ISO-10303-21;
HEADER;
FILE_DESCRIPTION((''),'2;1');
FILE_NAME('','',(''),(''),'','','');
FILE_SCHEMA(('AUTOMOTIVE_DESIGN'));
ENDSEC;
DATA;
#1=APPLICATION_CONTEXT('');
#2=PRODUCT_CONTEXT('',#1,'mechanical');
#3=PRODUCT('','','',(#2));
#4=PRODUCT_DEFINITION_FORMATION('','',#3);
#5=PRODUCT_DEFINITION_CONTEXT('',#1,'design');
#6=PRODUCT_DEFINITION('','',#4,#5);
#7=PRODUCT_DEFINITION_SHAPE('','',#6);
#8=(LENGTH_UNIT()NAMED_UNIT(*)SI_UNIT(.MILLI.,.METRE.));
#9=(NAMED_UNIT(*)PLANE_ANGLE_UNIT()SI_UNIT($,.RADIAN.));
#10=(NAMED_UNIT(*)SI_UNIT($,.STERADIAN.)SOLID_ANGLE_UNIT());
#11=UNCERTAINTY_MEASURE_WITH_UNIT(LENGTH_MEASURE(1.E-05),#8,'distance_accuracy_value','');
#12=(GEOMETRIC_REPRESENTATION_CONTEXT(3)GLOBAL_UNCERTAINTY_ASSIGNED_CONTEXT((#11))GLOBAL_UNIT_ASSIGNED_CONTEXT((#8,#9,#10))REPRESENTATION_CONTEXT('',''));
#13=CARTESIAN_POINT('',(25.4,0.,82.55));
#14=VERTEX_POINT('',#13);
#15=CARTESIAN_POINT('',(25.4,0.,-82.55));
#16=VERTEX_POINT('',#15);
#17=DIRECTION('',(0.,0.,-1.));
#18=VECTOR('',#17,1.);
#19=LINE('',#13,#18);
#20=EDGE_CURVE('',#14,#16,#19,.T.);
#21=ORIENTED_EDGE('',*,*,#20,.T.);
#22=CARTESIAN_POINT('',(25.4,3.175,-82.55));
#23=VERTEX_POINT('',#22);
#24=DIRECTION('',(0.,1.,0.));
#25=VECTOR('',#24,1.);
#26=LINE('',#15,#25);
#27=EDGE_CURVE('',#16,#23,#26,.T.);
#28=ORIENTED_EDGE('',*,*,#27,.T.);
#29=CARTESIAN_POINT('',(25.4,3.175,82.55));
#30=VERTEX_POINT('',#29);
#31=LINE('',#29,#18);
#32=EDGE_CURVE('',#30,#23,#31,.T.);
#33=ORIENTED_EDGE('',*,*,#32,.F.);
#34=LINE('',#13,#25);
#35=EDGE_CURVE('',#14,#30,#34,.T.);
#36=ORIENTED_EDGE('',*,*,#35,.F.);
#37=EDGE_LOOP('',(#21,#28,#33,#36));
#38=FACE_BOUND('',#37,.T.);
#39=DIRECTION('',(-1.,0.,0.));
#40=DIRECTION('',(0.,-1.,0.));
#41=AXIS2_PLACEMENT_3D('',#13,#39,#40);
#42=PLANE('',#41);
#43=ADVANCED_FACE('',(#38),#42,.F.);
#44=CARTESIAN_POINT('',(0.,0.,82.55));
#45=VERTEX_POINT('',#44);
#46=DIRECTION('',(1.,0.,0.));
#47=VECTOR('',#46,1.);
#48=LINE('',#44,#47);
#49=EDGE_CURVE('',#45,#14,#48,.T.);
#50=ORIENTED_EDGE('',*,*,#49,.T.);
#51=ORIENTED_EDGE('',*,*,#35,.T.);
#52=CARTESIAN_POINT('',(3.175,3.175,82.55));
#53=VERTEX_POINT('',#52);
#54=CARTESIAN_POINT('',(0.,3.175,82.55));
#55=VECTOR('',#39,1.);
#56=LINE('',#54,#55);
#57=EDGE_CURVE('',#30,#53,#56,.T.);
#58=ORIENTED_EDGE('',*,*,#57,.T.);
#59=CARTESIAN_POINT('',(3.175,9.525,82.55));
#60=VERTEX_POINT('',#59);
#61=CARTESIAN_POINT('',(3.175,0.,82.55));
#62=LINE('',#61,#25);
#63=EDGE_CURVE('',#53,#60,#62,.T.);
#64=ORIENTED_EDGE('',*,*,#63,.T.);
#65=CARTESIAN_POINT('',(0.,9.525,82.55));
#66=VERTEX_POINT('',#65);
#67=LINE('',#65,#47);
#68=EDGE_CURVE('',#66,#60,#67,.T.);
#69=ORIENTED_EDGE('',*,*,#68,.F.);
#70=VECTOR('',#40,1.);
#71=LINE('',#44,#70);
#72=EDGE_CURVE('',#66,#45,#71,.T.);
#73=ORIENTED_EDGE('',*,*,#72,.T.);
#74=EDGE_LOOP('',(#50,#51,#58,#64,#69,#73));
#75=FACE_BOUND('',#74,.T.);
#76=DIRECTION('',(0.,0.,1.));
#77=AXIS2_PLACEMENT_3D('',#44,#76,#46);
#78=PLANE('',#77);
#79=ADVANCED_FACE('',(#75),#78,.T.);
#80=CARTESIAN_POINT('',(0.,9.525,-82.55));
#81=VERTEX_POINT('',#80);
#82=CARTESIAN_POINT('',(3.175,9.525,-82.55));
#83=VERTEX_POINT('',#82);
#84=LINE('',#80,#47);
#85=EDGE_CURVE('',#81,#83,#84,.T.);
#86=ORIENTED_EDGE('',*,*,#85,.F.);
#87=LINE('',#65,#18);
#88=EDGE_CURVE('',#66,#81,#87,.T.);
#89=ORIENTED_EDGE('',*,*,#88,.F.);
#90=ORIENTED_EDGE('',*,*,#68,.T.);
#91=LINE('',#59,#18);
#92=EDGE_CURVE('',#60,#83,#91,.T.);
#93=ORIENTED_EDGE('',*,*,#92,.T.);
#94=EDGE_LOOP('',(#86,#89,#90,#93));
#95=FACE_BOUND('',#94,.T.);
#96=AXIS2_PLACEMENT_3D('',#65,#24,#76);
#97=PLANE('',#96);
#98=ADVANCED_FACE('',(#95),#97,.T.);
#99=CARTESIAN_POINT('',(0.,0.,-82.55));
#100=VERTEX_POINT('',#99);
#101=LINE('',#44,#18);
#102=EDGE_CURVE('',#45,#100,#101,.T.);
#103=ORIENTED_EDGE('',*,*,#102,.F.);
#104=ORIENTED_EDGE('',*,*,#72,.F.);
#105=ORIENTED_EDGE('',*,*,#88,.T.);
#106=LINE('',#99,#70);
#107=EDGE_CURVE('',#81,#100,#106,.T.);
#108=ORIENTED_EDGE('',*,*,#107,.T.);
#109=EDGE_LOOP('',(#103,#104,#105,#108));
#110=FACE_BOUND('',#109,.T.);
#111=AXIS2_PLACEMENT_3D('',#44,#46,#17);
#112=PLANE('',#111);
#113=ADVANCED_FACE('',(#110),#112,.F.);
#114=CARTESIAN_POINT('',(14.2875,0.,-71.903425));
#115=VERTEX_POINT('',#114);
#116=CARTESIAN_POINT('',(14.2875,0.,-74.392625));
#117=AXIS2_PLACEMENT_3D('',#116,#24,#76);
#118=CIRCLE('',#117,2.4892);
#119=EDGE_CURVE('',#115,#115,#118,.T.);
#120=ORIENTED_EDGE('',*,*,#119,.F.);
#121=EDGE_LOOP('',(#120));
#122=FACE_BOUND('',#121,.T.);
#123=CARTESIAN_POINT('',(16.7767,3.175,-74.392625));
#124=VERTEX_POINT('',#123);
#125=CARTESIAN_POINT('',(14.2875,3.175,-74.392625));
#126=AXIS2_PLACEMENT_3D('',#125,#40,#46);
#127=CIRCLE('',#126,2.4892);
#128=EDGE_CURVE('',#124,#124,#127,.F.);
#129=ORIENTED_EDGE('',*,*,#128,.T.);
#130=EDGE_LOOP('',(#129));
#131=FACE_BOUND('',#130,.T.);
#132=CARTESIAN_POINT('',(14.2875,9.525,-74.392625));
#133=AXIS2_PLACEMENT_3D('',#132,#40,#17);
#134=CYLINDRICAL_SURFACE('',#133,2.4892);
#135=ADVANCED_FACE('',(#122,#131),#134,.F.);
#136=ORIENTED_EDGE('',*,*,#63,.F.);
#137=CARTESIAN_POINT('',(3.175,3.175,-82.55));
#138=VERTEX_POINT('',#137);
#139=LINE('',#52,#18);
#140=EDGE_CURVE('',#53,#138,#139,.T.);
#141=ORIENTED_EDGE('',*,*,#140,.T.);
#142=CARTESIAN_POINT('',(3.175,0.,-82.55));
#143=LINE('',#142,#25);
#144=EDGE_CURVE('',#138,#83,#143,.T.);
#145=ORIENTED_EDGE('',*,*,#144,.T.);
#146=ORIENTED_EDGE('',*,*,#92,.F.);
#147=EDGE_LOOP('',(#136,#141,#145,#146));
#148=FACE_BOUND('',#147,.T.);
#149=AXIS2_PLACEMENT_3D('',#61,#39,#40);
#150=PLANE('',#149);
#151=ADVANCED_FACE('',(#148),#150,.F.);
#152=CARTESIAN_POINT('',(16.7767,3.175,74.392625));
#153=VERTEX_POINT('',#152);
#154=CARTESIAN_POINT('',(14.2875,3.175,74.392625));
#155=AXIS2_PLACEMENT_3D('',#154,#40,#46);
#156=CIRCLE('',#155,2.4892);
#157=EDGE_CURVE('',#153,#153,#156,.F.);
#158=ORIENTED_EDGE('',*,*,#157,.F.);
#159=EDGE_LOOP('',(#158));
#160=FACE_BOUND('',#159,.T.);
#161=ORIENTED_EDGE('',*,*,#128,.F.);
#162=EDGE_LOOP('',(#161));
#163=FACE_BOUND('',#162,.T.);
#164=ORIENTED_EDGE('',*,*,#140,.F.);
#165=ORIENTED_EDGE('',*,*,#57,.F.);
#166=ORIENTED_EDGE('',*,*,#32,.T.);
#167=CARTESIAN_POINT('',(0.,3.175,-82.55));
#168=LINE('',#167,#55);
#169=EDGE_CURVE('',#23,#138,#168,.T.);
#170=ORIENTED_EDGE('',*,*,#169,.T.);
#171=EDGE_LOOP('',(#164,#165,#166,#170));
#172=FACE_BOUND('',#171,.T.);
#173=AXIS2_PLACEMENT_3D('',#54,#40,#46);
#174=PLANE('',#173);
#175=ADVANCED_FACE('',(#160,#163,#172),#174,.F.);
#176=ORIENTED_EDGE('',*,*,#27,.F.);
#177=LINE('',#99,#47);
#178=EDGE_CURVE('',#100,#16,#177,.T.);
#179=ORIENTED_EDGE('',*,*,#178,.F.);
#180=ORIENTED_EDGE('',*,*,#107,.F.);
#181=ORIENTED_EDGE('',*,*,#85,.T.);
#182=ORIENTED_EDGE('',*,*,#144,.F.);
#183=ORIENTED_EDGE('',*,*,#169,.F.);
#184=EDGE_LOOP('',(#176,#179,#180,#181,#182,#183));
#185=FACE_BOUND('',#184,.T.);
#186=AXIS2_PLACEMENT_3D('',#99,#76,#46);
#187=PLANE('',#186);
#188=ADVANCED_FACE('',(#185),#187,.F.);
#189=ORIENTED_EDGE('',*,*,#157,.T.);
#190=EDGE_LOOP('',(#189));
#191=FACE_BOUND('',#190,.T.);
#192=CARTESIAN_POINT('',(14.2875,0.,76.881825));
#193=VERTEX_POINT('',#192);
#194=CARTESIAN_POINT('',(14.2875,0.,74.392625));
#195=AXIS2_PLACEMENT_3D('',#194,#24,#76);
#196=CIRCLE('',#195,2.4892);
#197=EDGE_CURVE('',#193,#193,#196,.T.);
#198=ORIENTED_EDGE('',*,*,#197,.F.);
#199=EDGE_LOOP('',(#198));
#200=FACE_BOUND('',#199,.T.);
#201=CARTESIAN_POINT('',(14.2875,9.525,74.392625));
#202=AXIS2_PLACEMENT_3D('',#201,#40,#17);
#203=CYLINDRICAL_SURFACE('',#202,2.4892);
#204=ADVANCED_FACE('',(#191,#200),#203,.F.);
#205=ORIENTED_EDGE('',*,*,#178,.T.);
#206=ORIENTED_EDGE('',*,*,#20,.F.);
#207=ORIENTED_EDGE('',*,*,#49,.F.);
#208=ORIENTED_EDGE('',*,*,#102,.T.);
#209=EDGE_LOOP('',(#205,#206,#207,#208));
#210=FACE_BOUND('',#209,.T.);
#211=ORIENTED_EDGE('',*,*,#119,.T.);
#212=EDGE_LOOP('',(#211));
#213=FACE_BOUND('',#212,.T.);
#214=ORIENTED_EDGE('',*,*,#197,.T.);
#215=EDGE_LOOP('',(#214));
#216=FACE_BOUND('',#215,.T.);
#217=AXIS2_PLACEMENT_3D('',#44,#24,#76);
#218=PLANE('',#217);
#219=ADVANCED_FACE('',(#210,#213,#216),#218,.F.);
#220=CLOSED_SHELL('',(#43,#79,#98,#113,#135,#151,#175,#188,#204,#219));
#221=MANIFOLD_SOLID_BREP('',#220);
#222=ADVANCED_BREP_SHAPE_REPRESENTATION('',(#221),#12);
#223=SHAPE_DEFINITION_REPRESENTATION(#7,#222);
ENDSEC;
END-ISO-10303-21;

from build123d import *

# Parameters (mm, degrees)
BOSS_EXTRUDE1_DEPTH = 82.55
SKETCH2_R           = 2.4892
CUT_EXTRUDE4_DEPTH  = 10.525


with BuildPart() as part:
    # Sketch1 → Boss-Extrude1 (new body, symmetric)
    with BuildSketch(Plane.XY):
        Polygon((0, 9.525), (0, 0), (25.4, 0), (25.4, 3.175), (3.175, 3.175), (3.175, 9.525), align=None)
    extrude(amount=BOSS_EXTRUDE1_DEPTH, both=True)

    # Sketch2 → Cut-Extrude4 (cut, through all)
    with BuildSketch(Plane(origin=(0, 0, 0), x_dir=(1, 0, 0), z_dir=(0, 1, 0))):
        with Locations((14.2875, -74.3926249)):
            Circle(SKETCH2_R)
        with Locations((14.2875, 74.3926249)):
            Circle(SKETCH2_R)
    extrude(amount=CUT_EXTRUDE4_DEPTH, mode=Mode.SUBTRACT)


solid = part.part
